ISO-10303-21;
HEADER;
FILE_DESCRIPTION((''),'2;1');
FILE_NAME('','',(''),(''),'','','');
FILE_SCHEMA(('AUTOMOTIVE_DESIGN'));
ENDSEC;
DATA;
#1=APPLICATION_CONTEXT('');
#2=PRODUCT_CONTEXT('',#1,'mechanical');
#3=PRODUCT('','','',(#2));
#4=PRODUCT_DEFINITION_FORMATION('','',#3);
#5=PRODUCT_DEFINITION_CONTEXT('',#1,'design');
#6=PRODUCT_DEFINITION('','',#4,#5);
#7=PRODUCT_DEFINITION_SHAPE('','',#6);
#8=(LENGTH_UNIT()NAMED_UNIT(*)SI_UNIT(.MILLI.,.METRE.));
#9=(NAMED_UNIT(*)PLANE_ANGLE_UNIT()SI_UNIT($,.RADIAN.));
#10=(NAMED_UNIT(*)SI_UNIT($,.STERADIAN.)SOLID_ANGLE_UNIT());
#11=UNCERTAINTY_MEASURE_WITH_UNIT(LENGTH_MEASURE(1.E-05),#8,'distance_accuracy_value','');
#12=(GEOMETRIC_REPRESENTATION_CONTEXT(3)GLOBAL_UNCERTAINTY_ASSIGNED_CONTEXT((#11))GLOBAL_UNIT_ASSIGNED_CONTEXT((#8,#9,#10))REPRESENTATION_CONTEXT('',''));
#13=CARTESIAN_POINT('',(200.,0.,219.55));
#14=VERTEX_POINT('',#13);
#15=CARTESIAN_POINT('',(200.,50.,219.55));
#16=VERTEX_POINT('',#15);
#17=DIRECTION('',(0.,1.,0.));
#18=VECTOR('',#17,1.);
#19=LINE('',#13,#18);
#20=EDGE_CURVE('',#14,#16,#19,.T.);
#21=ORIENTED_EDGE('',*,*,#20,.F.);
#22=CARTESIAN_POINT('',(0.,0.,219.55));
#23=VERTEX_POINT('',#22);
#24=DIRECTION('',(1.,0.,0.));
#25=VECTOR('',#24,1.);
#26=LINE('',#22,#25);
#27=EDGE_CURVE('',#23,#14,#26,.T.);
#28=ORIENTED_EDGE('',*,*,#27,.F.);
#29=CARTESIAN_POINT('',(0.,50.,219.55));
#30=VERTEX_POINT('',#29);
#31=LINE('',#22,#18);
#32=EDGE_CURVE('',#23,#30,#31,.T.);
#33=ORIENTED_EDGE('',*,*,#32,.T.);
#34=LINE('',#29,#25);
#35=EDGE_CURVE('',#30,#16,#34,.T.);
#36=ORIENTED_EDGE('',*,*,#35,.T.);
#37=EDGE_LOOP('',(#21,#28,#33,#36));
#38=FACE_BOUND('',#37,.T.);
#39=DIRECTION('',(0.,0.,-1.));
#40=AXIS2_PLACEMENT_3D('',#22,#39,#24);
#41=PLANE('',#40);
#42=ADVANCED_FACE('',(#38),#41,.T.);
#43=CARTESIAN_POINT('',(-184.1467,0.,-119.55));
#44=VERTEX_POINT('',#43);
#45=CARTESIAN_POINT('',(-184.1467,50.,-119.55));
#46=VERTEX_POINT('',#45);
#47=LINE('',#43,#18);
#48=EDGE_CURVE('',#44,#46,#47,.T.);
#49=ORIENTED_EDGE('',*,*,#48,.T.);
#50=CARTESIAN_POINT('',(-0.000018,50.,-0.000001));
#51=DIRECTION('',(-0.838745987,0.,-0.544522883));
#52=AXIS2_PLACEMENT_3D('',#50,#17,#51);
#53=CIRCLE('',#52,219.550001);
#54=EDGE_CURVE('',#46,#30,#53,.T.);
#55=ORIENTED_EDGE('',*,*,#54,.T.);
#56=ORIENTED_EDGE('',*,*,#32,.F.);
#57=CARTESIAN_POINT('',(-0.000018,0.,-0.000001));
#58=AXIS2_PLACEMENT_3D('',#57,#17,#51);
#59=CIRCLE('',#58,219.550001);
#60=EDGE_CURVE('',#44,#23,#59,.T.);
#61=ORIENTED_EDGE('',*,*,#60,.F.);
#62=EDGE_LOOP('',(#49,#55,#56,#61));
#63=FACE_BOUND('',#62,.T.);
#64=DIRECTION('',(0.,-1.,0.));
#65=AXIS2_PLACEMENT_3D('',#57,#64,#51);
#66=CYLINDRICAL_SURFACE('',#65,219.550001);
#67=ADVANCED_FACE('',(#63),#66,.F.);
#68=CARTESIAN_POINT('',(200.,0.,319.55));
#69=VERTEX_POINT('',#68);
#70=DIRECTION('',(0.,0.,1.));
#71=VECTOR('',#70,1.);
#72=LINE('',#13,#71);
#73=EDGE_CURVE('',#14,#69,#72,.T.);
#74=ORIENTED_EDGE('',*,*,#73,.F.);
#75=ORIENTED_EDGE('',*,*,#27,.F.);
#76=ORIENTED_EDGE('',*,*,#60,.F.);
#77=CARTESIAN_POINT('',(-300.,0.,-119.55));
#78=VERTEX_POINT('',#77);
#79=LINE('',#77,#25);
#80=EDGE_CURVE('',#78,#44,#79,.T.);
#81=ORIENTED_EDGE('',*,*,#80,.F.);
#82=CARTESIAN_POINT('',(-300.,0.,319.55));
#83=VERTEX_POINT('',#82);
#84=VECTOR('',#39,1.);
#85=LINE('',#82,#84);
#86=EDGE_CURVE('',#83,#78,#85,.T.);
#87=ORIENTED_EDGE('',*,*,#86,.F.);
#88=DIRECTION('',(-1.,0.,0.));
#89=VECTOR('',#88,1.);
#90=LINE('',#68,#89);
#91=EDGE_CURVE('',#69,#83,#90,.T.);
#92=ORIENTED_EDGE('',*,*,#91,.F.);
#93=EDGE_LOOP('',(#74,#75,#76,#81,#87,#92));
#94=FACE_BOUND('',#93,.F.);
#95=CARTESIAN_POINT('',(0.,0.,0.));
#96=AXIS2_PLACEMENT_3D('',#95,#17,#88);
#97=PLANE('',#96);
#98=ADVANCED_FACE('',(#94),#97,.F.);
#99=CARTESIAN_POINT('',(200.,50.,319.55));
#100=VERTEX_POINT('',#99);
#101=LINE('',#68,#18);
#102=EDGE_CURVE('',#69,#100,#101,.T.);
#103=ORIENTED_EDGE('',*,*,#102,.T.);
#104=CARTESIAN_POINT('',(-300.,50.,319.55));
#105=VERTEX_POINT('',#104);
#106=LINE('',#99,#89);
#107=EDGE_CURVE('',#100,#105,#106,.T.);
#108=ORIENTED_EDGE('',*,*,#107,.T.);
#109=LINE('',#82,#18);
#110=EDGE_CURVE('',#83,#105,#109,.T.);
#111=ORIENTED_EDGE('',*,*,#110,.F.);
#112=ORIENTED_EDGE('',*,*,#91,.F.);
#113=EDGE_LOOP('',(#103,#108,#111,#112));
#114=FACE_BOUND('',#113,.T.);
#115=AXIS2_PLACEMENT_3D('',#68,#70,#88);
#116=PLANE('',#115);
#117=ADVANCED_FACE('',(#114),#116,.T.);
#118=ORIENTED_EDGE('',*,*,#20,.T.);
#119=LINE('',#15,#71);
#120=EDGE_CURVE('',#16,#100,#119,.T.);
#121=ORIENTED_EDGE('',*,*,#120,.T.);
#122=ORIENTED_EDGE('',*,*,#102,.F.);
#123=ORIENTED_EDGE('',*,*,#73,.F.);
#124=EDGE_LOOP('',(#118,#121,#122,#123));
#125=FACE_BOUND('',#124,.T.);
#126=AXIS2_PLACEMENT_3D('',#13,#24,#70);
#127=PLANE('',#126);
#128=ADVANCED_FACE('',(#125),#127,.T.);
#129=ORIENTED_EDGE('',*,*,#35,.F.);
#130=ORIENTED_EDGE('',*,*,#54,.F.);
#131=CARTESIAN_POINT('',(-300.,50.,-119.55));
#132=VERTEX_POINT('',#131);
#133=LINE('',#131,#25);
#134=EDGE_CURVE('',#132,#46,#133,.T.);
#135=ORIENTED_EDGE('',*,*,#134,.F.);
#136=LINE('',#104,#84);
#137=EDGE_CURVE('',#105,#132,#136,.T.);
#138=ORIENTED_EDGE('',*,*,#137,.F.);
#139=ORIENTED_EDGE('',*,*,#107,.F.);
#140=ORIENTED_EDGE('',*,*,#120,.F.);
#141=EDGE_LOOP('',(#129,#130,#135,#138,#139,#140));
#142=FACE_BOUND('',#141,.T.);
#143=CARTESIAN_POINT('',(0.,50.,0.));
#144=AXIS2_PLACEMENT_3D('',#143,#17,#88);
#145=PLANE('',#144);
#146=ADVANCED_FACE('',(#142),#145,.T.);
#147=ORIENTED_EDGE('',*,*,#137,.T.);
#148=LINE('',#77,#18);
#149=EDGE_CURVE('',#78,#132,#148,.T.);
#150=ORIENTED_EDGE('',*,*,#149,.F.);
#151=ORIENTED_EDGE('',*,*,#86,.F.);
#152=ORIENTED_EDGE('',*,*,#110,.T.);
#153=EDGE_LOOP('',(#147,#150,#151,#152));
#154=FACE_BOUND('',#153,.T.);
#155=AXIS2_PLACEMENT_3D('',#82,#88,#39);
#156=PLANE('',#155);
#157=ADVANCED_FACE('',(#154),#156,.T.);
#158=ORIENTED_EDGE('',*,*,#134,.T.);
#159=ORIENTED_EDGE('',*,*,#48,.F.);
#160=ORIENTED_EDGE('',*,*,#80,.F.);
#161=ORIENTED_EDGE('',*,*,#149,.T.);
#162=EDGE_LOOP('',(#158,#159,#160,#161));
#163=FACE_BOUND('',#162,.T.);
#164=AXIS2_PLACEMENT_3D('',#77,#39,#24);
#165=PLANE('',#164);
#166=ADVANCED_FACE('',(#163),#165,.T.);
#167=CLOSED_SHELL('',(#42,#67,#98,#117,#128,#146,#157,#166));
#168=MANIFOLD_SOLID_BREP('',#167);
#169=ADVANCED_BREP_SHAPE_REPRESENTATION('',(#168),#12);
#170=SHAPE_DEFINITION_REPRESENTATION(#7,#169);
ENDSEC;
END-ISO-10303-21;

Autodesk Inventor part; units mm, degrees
ref_plane "YZ Plane" through (0, 0, 0) normal (1, 0, 0) x (0, 1, 0)
ref_plane "XZ Plane" through (0, 0, 0) normal (0, 1, 0) x (-1, 0, 0)
ref_plane "XY Plane" through (0, 0, 0) normal (0, 0, 1) x (1, 0, 0)
sketch "Sketch1" plane through (0, 0, 0) normal (0, 1, 0) x (-1, 0, 0)
  line L0 (0, -151.455) -> (0, 151.455) construction
  line L1 (30.6851, 0) -> (-30.6851, 0) construction
  arc A0 (184.1467, -119.55) -> (0, 219.55) centre (0, 0) ccw
  line L2 (0, 219.55) -> (-200, 219.55)
  line L3 (-200, 219.55) -> (-200, 319.55)
  line L4 (-200, 319.55) -> (300, 319.55)
  line L5 (300, 319.55) -> (300, -119.55)
  line L6 (300, -119.55) -> (184.1467, -119.55)
  dimension "d0" = 439.1
  dimension "d1" = 200
  dimension "d3" = 100
  dimension "d4" = 119.55
  dimension "d5" = 300
extrude "Extrusion1" add sketch "Sketch1" along normal blind 50
properties part number "WoodBoundaryV1"
